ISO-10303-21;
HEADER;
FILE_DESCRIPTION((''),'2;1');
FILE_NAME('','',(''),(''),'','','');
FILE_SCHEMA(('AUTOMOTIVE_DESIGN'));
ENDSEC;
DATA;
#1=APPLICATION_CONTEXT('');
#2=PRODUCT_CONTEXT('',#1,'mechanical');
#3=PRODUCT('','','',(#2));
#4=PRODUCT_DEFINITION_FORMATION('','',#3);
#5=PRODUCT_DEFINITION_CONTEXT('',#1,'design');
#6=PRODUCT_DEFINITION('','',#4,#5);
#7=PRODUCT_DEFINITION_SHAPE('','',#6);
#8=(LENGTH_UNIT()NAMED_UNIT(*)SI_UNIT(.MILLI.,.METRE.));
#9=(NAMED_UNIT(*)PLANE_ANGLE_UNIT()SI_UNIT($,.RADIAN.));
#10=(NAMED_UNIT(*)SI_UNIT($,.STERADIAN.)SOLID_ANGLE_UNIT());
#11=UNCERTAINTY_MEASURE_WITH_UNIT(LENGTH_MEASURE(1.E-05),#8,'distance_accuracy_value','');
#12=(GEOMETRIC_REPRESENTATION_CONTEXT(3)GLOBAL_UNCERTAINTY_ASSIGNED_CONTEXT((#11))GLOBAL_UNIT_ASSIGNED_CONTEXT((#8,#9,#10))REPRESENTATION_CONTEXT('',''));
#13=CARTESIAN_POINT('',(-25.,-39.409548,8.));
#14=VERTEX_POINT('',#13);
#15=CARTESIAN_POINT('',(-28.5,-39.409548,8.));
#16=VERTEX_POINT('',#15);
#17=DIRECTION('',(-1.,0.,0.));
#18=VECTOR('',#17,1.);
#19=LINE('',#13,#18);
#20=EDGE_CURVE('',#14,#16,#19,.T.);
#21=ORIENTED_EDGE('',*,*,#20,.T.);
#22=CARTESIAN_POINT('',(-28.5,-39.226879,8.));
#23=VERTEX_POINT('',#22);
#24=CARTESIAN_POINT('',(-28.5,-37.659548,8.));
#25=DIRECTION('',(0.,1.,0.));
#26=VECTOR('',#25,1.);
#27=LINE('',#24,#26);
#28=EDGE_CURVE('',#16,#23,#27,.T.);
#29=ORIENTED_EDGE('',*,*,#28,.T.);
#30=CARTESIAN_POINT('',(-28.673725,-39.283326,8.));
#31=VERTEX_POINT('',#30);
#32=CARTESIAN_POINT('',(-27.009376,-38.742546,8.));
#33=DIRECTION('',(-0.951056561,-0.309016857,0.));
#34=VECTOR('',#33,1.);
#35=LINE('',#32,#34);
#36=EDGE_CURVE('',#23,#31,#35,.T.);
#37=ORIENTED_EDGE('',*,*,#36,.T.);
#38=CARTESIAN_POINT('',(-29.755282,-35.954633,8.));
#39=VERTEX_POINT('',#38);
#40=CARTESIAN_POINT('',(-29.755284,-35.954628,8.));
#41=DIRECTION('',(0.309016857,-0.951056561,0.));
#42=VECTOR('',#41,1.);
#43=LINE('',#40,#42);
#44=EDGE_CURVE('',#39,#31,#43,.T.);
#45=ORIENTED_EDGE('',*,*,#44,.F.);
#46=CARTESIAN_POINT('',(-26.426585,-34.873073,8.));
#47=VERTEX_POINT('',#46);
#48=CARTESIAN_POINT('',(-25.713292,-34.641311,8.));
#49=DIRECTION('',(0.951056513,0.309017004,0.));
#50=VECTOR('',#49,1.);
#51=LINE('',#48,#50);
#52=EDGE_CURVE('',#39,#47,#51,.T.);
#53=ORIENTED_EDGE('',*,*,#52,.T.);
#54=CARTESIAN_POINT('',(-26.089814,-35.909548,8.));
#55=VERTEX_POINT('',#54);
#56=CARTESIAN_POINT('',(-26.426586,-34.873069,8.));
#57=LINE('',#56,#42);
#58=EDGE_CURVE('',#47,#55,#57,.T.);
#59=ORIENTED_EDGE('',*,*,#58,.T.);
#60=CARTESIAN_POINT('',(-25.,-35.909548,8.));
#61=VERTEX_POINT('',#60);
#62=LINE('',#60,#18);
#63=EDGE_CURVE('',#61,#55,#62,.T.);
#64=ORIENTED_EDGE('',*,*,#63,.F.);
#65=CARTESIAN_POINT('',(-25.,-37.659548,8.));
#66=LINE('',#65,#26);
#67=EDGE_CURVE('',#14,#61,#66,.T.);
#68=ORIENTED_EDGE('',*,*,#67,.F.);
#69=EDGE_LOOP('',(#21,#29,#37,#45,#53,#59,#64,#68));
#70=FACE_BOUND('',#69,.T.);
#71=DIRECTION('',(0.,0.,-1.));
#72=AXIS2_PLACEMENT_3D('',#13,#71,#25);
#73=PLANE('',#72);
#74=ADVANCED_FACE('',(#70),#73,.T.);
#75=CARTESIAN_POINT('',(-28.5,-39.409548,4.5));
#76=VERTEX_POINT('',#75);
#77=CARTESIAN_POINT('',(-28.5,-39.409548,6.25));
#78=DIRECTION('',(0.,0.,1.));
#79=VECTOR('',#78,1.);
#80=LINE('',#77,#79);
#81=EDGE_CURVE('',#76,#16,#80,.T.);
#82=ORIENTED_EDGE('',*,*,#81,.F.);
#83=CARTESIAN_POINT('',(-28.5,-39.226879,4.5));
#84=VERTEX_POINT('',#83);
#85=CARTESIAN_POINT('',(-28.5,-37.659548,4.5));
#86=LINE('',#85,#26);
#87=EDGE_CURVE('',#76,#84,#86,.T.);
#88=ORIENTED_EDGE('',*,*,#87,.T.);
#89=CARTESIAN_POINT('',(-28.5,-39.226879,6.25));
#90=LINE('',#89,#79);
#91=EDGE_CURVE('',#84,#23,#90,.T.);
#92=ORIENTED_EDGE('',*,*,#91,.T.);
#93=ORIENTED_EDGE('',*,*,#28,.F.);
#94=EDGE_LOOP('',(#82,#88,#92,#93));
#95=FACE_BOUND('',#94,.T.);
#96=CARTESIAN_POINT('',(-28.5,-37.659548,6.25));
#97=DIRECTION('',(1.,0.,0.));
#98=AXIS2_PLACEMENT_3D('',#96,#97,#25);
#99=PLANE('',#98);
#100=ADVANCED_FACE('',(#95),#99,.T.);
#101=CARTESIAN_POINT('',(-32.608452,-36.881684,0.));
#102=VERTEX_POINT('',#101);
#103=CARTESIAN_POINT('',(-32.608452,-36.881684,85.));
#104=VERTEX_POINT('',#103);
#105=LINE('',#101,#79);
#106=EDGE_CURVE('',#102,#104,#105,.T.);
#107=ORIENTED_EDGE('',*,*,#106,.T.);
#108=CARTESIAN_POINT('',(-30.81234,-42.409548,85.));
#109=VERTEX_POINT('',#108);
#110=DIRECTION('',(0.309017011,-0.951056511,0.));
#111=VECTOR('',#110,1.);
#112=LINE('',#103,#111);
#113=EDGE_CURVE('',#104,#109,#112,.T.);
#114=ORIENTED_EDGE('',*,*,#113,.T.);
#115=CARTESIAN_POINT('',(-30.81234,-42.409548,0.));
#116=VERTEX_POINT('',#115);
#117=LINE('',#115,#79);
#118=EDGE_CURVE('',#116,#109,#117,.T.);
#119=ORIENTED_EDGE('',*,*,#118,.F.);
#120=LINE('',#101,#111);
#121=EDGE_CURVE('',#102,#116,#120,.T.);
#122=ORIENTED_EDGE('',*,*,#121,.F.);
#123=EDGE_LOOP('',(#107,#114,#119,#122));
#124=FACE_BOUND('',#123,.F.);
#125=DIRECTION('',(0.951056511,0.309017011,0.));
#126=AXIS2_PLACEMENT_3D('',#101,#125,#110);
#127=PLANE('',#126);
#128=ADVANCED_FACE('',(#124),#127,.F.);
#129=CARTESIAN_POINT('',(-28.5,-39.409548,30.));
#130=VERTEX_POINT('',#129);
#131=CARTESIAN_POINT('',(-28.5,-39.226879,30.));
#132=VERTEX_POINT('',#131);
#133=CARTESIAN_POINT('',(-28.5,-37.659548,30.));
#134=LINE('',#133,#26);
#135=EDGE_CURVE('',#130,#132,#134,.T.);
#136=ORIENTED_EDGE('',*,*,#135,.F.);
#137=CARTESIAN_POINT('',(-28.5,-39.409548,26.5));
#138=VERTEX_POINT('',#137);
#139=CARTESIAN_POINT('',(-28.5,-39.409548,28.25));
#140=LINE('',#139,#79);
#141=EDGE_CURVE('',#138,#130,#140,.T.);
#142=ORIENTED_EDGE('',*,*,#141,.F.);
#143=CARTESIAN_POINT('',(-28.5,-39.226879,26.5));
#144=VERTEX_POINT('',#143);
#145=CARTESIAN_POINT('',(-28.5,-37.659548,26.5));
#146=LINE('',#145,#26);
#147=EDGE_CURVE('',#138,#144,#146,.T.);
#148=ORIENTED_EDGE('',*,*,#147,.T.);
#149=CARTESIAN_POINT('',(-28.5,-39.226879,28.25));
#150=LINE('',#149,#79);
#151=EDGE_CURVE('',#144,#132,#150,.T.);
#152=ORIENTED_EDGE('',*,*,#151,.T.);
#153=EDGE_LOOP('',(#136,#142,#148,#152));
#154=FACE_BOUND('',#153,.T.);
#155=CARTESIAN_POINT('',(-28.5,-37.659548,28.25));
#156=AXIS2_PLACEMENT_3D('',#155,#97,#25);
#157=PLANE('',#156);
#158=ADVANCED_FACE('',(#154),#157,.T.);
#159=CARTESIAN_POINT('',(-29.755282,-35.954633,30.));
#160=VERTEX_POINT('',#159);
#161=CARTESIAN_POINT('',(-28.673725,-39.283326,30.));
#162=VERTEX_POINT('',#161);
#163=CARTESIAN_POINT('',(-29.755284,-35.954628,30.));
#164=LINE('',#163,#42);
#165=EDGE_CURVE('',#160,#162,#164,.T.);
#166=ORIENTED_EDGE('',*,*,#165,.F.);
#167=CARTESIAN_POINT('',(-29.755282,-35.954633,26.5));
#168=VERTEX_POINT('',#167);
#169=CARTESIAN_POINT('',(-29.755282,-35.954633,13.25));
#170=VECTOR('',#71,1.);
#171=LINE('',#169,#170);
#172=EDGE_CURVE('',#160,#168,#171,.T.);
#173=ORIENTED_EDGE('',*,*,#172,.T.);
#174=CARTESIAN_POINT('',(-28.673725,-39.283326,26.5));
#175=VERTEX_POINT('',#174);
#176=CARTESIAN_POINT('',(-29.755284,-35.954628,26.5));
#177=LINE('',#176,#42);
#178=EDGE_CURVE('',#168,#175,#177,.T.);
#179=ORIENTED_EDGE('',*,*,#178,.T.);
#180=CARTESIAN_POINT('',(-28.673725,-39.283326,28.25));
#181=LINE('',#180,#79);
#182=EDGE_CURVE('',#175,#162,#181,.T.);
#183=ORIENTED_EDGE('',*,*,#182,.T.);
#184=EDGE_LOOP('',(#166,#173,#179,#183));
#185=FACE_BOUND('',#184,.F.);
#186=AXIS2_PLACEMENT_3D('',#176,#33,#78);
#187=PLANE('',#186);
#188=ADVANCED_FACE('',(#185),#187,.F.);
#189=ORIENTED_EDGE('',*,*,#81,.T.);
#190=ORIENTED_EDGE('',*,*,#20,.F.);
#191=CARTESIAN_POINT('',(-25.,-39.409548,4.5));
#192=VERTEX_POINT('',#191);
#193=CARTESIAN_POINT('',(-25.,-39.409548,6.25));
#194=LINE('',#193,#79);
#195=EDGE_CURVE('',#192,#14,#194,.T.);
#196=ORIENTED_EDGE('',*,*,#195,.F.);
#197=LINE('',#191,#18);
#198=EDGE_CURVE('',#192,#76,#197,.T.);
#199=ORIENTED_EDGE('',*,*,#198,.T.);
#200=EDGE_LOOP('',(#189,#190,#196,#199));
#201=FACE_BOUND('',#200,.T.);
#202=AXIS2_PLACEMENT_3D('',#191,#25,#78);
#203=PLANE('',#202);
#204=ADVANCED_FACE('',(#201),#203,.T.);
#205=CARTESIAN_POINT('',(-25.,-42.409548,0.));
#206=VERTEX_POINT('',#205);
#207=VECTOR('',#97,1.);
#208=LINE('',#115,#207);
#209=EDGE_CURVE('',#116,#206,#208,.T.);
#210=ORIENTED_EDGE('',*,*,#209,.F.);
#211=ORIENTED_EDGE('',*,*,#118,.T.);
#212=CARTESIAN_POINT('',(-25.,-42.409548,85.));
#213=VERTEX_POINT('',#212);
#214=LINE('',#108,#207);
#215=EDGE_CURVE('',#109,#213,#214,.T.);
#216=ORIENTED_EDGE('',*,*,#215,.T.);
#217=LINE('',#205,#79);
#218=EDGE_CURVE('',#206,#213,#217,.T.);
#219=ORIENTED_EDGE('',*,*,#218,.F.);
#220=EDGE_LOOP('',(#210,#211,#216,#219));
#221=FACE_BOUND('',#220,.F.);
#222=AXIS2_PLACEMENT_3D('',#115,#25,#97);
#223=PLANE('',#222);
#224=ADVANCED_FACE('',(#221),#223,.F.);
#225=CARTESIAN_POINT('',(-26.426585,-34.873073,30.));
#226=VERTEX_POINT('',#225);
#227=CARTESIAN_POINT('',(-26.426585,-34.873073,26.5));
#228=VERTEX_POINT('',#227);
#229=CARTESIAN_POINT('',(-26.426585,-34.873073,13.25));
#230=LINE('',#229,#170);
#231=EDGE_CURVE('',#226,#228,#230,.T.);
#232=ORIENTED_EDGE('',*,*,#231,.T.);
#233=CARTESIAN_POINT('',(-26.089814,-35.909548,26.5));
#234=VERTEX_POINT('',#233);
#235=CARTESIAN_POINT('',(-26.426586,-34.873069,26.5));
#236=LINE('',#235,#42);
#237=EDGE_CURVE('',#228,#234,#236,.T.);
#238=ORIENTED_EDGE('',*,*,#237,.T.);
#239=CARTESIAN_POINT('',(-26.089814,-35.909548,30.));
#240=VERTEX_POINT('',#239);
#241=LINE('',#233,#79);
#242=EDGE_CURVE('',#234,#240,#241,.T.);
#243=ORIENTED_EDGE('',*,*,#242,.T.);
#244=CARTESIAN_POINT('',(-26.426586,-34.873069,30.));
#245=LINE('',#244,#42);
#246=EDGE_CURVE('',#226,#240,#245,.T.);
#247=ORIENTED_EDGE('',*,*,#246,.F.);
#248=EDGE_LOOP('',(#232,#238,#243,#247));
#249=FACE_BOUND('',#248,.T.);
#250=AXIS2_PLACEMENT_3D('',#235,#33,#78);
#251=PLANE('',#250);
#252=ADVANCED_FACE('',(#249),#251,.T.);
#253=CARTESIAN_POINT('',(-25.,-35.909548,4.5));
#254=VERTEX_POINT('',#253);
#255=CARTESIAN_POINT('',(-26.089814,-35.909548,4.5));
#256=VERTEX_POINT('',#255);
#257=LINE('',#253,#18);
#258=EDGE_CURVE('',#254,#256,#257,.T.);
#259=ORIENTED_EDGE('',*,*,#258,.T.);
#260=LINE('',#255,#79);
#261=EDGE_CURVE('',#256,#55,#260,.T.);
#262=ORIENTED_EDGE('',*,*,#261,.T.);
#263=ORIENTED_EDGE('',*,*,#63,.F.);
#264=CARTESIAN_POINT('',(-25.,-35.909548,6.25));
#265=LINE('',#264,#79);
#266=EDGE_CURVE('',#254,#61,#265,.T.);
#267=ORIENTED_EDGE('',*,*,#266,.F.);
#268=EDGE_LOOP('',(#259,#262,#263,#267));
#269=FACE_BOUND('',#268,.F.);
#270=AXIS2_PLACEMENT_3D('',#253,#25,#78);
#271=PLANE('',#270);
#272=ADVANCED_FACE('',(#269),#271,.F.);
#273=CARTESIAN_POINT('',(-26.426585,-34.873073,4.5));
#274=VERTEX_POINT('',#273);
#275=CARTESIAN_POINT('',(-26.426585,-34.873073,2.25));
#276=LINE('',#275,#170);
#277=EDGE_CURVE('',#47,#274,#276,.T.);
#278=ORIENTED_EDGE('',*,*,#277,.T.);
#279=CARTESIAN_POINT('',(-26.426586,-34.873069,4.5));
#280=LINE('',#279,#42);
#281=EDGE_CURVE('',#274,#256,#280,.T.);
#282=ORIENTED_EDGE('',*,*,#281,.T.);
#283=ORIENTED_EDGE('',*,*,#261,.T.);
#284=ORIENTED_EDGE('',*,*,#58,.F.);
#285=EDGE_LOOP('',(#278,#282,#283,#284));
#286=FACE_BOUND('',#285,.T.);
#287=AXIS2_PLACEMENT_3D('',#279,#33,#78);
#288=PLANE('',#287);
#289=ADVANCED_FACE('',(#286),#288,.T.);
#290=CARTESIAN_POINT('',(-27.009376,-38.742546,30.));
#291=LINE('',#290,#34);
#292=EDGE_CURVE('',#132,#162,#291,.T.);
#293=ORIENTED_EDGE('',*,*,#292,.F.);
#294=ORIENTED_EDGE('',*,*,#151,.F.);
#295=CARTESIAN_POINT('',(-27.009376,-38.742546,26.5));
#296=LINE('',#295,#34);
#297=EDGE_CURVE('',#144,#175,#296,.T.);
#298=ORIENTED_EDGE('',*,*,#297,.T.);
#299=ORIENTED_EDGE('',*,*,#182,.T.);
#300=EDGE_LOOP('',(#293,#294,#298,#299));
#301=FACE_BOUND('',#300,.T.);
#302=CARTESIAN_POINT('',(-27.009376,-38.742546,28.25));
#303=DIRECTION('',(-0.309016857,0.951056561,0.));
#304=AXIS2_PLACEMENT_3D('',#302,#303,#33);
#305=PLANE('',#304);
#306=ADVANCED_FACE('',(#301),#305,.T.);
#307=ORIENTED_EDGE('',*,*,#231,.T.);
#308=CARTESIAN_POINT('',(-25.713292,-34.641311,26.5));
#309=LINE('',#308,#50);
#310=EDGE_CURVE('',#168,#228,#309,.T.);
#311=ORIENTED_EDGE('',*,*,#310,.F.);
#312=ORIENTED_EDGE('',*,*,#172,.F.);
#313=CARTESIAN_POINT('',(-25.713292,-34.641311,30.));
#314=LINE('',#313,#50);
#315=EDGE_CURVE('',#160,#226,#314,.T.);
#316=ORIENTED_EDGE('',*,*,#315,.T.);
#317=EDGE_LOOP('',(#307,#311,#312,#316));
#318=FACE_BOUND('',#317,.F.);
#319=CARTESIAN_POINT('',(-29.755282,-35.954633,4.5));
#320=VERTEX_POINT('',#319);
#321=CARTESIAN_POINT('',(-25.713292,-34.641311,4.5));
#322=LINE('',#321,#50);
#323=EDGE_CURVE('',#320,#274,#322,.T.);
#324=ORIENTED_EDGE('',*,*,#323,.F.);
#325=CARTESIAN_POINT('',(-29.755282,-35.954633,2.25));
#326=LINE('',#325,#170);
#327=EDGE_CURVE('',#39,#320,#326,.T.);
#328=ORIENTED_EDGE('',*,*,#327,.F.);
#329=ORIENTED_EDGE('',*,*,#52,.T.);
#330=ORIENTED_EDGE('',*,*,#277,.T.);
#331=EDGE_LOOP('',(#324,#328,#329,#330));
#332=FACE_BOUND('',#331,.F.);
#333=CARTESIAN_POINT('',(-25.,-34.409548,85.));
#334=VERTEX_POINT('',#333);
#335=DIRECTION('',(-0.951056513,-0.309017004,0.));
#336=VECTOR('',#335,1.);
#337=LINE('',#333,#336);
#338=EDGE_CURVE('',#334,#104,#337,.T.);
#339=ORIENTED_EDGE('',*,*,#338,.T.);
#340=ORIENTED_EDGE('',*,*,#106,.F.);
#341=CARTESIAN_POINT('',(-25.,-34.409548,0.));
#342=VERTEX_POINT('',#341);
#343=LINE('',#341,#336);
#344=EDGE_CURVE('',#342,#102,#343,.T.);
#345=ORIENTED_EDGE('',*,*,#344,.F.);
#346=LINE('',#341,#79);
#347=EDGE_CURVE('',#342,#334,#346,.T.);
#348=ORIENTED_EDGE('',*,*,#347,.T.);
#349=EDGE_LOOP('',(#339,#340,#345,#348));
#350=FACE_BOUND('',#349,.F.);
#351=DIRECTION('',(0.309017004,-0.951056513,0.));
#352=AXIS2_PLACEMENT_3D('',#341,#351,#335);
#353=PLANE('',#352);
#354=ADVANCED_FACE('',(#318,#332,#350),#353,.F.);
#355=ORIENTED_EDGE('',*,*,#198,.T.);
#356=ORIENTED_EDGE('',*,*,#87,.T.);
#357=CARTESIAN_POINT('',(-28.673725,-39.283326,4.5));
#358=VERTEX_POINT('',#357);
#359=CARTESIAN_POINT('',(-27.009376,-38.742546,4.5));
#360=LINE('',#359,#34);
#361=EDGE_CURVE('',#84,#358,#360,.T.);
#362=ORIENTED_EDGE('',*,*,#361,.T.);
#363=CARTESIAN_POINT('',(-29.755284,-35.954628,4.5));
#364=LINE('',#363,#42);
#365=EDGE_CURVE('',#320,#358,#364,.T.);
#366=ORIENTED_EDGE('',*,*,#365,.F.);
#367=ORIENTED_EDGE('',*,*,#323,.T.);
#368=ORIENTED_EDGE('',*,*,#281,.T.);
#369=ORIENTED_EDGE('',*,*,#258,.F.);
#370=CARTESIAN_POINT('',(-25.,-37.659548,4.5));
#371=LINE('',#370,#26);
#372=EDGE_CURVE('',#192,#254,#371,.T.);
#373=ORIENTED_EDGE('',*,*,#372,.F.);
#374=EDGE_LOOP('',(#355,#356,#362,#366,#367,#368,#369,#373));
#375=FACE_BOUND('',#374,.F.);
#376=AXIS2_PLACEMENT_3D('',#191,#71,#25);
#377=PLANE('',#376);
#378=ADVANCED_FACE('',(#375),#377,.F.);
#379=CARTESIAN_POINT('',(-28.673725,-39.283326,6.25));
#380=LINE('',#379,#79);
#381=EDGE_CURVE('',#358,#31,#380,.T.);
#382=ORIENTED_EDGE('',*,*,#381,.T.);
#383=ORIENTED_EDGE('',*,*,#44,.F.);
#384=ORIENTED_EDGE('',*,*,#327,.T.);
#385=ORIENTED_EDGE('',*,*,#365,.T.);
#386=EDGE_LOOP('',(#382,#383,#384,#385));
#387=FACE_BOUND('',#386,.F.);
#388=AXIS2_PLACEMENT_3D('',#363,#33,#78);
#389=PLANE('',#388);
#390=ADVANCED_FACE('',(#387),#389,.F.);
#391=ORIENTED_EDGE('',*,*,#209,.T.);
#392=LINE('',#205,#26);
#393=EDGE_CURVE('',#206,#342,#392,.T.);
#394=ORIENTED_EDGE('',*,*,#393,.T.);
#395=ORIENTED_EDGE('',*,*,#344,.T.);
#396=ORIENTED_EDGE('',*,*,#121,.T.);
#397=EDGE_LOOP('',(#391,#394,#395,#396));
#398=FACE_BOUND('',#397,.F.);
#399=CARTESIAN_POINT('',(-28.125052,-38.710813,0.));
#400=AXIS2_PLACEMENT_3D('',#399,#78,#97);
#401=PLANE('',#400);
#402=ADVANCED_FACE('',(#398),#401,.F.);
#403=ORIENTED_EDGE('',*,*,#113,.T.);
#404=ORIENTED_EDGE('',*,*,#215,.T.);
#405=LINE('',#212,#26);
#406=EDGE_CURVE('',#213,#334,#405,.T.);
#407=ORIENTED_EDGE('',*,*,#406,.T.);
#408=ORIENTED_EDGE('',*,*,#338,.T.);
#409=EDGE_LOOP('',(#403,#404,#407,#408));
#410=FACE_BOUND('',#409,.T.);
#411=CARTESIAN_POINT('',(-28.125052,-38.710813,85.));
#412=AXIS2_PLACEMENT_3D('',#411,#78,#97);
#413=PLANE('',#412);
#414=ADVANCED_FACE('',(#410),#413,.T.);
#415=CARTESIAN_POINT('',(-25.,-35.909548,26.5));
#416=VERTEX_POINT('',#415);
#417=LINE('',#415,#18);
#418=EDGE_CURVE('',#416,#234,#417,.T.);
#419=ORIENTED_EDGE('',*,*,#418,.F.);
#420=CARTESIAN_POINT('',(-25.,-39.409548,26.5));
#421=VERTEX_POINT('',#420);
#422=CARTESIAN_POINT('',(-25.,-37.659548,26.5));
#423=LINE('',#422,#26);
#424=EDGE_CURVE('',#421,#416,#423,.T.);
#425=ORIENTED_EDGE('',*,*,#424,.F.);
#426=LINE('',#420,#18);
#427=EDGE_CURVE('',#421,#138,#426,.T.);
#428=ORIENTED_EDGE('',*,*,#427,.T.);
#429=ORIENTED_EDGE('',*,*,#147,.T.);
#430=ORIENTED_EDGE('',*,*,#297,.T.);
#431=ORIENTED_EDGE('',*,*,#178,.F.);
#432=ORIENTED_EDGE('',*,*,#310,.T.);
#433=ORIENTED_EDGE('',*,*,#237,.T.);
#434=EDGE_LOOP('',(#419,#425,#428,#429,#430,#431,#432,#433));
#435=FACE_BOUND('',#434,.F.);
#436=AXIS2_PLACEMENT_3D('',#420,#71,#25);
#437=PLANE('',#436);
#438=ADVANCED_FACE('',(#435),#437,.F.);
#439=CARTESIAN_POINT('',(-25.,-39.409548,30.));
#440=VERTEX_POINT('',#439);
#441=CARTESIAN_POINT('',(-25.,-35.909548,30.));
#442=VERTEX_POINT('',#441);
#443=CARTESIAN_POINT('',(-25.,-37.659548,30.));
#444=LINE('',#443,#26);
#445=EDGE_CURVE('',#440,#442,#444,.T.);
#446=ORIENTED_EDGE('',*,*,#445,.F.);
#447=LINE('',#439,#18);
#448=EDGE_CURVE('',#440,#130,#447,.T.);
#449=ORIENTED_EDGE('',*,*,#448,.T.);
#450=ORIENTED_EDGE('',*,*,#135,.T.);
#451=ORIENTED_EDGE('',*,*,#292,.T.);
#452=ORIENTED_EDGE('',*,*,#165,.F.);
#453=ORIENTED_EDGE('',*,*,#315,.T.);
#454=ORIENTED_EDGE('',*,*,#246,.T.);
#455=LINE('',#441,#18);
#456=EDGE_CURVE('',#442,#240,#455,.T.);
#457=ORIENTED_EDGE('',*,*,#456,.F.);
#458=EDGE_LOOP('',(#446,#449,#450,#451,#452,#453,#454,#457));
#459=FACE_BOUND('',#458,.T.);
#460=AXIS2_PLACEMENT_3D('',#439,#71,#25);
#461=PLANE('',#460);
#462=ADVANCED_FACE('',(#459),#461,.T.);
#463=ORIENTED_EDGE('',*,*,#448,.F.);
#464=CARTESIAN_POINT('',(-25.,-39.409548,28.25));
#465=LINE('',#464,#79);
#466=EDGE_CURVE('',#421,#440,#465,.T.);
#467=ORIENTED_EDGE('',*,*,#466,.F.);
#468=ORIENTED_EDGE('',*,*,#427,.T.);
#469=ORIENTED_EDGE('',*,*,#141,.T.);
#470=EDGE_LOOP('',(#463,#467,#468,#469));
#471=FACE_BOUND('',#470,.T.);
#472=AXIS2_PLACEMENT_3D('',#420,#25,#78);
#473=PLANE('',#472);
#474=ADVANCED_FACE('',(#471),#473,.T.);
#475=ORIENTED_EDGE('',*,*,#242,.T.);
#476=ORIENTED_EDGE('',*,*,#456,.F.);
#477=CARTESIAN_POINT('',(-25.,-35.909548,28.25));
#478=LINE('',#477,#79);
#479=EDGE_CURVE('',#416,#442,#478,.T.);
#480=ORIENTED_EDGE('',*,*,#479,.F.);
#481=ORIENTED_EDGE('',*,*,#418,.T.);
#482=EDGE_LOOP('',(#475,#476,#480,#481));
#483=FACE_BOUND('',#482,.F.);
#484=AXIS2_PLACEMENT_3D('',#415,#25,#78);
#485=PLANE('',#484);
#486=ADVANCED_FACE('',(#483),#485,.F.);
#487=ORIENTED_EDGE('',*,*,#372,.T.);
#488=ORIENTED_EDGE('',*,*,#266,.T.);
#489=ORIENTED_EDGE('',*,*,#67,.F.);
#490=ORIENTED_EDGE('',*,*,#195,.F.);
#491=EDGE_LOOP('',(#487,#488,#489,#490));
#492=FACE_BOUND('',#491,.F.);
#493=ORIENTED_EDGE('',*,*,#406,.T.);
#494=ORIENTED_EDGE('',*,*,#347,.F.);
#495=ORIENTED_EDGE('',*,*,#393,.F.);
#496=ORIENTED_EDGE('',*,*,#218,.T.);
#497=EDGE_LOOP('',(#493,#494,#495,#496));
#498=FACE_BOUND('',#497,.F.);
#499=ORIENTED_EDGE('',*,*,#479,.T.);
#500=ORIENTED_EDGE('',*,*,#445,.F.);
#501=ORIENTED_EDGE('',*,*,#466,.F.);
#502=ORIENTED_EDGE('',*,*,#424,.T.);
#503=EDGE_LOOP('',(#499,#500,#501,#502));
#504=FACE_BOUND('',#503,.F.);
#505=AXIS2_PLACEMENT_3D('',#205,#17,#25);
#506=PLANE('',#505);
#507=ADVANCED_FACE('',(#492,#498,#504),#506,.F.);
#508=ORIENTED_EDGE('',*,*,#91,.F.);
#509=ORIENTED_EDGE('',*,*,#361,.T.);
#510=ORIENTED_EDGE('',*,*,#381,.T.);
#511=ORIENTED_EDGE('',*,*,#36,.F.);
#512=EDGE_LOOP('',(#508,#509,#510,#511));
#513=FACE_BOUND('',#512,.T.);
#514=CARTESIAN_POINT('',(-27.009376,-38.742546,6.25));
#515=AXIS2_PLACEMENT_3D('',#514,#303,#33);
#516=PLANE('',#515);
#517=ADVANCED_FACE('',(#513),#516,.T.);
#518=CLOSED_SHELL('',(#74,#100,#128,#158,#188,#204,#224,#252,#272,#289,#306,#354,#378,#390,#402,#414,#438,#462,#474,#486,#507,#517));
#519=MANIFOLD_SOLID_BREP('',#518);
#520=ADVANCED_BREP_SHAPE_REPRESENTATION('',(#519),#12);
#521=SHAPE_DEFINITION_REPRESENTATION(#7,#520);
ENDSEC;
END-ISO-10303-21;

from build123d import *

# Parameters (mm, degrees)
F1_DEPTH = 85
F2_W     = 3.5
F2_H     = 3.5
F3_DEPTH = 3.5
F4_W     = 3.5
F4_H     = 3.5
F5_DEPTH = 3.5


with BuildPart() as f1:
    # F0 (on Top) → F1 (new body)
    with BuildSketch(Plane.XY):
        Polygon((-25, -42.409548), (-25, -34.409548), (-32.608452, -36.881684), (-30.81234, -42.409548), align=None)
    extrude(amount=F1_DEPTH)

    # F2 (on face) → F3 (cut)
    with BuildSketch(Plane.YZ.offset(-25)):
        with Locations((-37.659548, 6.25)):
            Rectangle(F2_W, F2_H)
        with Locations((-37.659548, 28.25)):
            Rectangle(F2_W, F2_H)
    extrude(amount=-F3_DEPTH, mode=Mode.SUBTRACT)

    # F4 (on face) → F5 (cut)
    with BuildSketch(Plane(origin=(7.725425, -23.776413, 0), x_dir=(-0.951057, -0.309017, 0), z_dir=(-0.309017, 0.951057, 0))):
        with Locations((37.659548, 6.25)):
            Rectangle(F4_W, F4_H)
        with Locations((37.659548, 28.25)):
            Rectangle(F4_W, F4_H)
    extrude(amount=-F5_DEPTH, mode=Mode.SUBTRACT)


solid = f1.part
